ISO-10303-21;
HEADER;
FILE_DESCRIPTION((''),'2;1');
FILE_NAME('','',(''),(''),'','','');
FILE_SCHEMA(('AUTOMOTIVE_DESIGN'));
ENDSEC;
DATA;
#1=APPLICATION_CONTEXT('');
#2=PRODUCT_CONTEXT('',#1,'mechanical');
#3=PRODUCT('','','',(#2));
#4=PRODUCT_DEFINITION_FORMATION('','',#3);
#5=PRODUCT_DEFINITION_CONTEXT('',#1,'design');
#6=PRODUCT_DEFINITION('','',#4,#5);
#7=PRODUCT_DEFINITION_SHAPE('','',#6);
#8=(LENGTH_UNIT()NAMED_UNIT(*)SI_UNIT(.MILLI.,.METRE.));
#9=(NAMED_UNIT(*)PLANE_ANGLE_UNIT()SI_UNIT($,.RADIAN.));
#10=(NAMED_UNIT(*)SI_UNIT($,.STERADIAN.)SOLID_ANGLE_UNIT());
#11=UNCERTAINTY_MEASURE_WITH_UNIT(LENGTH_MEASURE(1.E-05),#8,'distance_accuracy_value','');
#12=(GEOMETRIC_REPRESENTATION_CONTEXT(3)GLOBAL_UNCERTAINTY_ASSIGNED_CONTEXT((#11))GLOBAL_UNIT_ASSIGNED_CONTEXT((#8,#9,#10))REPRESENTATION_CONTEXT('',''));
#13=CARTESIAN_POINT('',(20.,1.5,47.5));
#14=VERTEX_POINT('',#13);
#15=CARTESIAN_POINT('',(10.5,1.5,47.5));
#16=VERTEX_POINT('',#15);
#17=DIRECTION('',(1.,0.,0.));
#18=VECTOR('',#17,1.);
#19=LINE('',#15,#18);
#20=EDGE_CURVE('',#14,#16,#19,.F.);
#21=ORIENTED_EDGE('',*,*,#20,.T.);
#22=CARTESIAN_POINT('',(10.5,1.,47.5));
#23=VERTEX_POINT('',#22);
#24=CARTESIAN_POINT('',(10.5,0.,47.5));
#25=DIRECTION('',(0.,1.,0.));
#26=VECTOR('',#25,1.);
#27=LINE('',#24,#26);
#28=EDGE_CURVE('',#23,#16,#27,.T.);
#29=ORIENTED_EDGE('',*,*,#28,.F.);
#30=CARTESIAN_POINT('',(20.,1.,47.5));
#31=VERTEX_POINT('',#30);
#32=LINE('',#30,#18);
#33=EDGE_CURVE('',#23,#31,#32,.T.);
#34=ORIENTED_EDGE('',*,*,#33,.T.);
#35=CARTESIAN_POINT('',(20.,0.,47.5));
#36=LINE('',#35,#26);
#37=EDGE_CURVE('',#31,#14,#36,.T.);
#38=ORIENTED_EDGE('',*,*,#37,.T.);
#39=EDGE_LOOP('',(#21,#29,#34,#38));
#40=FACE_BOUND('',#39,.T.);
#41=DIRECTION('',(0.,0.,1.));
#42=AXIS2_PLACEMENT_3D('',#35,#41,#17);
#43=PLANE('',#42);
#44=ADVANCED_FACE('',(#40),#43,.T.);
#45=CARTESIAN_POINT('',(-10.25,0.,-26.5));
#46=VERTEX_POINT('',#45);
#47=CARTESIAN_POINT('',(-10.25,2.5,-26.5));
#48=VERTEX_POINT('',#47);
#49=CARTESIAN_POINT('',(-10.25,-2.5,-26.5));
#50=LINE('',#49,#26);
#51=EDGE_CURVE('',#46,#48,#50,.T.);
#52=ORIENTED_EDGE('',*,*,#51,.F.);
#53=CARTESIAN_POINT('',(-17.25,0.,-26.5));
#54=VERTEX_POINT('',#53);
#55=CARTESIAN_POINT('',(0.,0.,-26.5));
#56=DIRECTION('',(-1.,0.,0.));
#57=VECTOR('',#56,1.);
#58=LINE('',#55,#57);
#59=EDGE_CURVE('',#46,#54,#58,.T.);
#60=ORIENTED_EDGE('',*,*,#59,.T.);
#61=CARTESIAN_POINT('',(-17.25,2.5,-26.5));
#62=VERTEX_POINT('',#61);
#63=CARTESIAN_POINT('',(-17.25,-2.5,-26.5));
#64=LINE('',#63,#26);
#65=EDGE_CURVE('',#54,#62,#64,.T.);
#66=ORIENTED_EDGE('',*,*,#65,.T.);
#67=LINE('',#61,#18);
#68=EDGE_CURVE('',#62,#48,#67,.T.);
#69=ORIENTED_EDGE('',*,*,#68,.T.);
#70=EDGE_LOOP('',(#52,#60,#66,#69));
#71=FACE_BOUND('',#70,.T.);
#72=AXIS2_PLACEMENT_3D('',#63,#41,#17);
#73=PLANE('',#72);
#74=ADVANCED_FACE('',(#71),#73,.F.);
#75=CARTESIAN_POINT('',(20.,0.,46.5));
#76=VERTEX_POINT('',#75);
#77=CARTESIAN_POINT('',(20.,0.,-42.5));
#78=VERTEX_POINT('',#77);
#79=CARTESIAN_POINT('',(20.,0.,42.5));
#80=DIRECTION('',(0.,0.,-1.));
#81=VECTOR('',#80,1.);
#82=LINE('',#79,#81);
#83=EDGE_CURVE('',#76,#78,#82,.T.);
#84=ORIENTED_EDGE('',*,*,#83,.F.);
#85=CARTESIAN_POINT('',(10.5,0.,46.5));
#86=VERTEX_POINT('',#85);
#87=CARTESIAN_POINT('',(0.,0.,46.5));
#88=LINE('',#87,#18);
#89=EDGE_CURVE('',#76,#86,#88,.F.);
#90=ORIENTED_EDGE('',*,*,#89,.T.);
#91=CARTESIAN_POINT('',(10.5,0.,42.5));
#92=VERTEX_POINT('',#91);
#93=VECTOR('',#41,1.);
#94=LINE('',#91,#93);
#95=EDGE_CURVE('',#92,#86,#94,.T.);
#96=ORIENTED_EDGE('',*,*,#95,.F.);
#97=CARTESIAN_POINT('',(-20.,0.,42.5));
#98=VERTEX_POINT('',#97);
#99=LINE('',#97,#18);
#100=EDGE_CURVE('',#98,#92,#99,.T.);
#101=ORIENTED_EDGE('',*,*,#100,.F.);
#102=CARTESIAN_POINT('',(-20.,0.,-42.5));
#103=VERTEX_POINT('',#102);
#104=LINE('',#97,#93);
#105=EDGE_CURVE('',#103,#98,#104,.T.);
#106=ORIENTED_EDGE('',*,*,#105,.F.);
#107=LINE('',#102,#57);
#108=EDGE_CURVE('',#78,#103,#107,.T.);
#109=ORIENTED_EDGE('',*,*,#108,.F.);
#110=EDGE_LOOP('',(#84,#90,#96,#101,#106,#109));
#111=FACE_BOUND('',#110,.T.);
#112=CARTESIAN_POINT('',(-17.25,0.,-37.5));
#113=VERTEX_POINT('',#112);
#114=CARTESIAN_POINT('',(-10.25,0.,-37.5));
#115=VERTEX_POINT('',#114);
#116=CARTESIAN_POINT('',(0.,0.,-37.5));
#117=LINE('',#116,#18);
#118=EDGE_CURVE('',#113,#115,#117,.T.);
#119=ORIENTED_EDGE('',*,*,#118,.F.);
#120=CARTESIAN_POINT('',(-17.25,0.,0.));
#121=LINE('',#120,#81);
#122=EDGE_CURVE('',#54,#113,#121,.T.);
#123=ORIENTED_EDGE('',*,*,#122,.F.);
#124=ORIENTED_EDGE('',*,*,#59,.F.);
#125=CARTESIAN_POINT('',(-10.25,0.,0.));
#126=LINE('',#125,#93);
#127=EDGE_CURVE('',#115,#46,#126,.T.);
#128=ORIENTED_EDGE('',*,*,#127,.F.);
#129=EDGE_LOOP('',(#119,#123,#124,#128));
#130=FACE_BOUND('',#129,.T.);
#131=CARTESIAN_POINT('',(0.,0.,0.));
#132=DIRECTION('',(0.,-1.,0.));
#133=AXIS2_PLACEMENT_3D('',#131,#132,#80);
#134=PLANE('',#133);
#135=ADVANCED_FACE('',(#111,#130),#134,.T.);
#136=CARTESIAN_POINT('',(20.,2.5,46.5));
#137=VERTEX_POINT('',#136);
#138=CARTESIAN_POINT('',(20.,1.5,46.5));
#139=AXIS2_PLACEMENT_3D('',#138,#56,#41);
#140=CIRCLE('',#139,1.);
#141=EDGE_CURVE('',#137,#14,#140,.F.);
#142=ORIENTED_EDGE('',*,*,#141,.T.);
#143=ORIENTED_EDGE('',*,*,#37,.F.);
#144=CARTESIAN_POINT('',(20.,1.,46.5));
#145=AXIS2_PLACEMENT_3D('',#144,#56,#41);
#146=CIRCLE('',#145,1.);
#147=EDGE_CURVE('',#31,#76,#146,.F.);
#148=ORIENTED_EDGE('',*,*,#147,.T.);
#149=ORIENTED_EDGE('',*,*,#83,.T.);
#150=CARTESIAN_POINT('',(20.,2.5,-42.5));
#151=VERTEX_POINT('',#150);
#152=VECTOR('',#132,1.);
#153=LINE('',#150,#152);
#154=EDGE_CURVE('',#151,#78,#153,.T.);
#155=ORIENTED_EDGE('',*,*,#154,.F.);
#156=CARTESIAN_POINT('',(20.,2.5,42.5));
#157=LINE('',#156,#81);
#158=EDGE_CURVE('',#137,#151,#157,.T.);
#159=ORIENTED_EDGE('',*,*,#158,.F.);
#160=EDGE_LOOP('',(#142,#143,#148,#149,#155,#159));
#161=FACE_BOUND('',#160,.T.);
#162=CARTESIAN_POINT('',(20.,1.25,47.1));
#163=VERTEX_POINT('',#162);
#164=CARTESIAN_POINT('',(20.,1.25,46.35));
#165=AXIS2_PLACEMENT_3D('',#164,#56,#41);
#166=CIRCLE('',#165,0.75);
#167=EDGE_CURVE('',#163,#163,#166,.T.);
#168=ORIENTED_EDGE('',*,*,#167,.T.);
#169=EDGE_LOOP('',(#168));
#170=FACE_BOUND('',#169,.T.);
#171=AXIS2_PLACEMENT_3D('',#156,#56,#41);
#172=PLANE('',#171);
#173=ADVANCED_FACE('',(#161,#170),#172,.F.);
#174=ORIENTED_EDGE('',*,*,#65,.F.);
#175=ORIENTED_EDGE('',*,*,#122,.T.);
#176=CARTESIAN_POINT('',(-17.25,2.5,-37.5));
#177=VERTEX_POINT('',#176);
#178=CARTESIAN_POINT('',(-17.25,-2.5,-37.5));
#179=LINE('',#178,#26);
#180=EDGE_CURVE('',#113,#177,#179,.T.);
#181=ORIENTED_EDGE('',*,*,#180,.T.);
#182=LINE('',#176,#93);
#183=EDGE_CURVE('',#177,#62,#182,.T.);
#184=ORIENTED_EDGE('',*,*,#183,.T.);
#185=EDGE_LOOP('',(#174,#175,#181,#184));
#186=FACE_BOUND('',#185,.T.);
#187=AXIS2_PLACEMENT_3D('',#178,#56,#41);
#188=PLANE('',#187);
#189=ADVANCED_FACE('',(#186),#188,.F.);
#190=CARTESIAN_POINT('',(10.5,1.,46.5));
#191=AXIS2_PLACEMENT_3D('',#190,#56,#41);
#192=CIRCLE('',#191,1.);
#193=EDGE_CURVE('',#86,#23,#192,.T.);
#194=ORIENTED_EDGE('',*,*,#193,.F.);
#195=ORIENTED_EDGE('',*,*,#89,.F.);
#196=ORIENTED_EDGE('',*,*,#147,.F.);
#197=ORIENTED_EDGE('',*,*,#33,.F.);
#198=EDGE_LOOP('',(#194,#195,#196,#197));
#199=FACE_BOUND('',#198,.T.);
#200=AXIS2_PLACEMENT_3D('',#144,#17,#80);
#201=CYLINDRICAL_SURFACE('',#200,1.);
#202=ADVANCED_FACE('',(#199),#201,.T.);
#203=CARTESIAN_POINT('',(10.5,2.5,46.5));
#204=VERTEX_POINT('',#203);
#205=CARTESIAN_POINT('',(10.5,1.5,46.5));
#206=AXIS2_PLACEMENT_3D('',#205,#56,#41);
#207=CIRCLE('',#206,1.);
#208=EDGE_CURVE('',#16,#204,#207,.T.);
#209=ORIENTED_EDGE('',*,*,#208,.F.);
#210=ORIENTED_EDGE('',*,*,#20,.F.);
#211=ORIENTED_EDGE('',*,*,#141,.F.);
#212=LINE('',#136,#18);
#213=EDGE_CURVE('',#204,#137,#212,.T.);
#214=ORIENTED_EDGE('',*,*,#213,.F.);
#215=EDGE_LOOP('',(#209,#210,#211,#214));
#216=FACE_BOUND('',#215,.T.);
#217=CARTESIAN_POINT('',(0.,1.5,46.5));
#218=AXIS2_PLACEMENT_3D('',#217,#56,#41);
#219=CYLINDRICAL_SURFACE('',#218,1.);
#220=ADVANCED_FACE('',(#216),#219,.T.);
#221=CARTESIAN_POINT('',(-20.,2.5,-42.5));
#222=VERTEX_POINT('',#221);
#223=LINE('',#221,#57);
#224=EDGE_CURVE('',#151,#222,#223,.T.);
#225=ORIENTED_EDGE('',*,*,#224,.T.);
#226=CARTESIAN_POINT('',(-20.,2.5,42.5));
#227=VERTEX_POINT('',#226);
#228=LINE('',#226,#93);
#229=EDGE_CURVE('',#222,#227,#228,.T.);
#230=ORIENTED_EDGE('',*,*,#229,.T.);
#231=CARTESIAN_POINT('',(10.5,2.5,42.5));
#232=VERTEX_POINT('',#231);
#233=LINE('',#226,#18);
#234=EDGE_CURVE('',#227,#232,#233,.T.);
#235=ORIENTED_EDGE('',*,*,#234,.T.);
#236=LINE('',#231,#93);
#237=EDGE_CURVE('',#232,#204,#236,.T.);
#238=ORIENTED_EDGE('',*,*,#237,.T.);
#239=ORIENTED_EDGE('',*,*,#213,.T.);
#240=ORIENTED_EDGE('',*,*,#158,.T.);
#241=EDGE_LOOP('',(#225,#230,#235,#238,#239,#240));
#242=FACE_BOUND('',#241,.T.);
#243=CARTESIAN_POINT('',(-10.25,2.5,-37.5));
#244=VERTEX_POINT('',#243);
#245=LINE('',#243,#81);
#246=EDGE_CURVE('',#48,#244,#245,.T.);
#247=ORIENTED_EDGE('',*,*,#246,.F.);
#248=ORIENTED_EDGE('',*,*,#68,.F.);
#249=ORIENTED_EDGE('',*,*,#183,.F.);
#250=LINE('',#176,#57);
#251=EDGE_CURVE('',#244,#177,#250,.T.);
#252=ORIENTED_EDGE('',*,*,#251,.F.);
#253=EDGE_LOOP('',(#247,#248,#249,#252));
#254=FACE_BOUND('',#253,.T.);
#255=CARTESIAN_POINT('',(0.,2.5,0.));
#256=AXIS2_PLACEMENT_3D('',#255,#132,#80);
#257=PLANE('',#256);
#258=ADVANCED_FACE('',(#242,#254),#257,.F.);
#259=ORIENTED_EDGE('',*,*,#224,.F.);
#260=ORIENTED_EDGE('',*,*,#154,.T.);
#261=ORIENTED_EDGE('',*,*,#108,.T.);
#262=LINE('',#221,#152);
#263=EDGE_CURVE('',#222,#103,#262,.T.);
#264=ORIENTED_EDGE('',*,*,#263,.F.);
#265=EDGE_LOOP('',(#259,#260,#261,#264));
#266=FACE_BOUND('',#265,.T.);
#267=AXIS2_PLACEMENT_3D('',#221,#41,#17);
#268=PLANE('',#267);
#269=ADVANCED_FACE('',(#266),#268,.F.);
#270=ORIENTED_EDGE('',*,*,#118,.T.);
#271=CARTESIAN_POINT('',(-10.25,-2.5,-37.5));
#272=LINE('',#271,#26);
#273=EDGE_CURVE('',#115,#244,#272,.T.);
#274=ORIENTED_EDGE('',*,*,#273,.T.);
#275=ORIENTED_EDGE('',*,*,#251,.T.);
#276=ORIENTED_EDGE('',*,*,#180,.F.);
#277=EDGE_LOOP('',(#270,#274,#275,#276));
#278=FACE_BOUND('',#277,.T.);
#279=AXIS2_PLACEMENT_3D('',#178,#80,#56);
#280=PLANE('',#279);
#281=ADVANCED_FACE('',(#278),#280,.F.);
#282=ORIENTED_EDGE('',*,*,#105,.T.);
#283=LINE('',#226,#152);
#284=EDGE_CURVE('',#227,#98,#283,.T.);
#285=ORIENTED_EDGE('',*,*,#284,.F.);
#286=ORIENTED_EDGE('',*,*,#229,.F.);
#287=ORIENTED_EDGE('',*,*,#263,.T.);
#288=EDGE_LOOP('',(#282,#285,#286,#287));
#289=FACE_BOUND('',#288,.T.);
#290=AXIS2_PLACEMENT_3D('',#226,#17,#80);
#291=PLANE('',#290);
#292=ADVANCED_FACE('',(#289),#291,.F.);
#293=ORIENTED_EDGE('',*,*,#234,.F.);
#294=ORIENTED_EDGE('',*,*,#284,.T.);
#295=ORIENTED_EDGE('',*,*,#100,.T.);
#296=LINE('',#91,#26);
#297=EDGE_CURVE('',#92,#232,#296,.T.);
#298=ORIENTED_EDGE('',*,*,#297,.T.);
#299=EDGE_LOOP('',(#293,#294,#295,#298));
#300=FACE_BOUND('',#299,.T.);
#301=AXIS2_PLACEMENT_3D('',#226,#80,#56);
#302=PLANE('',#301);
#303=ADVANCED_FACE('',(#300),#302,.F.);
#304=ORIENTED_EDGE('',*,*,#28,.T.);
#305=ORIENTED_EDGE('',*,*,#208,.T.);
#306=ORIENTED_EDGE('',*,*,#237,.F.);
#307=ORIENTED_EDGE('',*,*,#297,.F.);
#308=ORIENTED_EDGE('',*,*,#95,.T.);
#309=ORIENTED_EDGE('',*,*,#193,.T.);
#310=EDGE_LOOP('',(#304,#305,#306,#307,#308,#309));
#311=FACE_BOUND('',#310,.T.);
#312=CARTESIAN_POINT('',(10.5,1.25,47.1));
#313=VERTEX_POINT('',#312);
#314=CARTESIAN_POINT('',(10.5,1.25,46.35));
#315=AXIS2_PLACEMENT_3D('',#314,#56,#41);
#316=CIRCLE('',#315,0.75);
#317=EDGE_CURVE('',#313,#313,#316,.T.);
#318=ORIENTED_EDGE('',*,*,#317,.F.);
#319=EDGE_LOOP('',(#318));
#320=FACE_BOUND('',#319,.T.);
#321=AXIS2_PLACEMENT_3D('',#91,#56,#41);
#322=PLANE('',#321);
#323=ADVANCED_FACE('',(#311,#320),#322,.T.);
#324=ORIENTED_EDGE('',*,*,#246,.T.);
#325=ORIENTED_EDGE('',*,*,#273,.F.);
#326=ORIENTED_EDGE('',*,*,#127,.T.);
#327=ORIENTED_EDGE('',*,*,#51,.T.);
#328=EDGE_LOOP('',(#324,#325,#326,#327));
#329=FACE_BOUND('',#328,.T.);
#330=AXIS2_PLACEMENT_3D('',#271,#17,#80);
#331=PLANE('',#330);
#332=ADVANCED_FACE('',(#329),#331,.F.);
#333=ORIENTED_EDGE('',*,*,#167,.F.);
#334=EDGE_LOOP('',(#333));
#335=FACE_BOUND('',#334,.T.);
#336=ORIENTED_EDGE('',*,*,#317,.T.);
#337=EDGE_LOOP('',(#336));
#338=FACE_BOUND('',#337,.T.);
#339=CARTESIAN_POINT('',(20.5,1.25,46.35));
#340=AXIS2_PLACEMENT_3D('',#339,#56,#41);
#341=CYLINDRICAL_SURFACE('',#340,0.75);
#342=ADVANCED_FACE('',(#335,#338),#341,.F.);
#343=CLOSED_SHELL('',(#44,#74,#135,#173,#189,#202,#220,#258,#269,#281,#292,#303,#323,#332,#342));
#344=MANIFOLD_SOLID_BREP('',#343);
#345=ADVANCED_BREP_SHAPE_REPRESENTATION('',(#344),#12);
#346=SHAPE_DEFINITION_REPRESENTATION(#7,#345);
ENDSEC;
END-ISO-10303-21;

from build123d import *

# Parameters (mm, degrees)
SKETCH4_W           = 40
SKETCH4_H           = 85
BOSS_EXTRUDE1_DEPTH = 2.5
SKETCH5_W           = 9.5
SKETCH5_H           = 5
BOSS_EXTRUDE2_DEPTH = 2.5
SKETCH12_W          = 7
SKETCH12_H          = 11
CUT_EXTRUDE1_DEPTH  = 5
FILLET4_R           = 1
FILLET5_R           = 1
SKETCH13_R          = 0.75
CUT_EXTRUDE2_DEPTH  = 10


with BuildPart() as part:
    # Sketch4 → Boss-Extrude1 (new body)
    with BuildSketch(Plane(origin=(0, 0, 0), x_dir=(1, 0, 0), z_dir=(0, 1, 0))):
        Rectangle(SKETCH4_W, SKETCH4_H)
    extrude(amount=BOSS_EXTRUDE1_DEPTH)

    # Sketch5 → Boss-Extrude2 (add)
    with BuildSketch(Plane(origin=(0, 2.5, 0), x_dir=(1, 0, 0), z_dir=(0, 1, 0))):
        with Locations((15.25, -45)):
            Rectangle(SKETCH5_W, SKETCH5_H)
    extrude(amount=-BOSS_EXTRUDE2_DEPTH)

    # Sketch12 → Cut-Extrude1 (cut)
    with BuildSketch(Plane(origin=(0, 2.5, 0), x_dir=(1, 0, 0), z_dir=(0, 1, 0))):
        with Locations((-13.75, 32)):
            Rectangle(SKETCH12_W, SKETCH12_H)
    extrude(amount=-CUT_EXTRUDE1_DEPTH, mode=Mode.SUBTRACT)

    # Fillet4
    fillet4_edges = [part.edges().sort_by_distance(p)[0] for p in [
        (15.25, 2.5, 47.5),
    ]]
    fillet(fillet4_edges, radius=FILLET4_R)

    # Fillet5
    fillet5_edges = [part.edges().sort_by_distance(p)[0] for p in [
        (15.25, 0, 47.5),
    ]]
    fillet(fillet5_edges, radius=FILLET5_R)

    # Sketch13 → Cut-Extrude2 (cut)
    with BuildSketch(Plane.ZY.offset(-10.5)):
        with Locations((46.35, 1.25)):
            Circle(SKETCH13_R)
    extrude(amount=-CUT_EXTRUDE2_DEPTH, mode=Mode.SUBTRACT)


solid = part.part
